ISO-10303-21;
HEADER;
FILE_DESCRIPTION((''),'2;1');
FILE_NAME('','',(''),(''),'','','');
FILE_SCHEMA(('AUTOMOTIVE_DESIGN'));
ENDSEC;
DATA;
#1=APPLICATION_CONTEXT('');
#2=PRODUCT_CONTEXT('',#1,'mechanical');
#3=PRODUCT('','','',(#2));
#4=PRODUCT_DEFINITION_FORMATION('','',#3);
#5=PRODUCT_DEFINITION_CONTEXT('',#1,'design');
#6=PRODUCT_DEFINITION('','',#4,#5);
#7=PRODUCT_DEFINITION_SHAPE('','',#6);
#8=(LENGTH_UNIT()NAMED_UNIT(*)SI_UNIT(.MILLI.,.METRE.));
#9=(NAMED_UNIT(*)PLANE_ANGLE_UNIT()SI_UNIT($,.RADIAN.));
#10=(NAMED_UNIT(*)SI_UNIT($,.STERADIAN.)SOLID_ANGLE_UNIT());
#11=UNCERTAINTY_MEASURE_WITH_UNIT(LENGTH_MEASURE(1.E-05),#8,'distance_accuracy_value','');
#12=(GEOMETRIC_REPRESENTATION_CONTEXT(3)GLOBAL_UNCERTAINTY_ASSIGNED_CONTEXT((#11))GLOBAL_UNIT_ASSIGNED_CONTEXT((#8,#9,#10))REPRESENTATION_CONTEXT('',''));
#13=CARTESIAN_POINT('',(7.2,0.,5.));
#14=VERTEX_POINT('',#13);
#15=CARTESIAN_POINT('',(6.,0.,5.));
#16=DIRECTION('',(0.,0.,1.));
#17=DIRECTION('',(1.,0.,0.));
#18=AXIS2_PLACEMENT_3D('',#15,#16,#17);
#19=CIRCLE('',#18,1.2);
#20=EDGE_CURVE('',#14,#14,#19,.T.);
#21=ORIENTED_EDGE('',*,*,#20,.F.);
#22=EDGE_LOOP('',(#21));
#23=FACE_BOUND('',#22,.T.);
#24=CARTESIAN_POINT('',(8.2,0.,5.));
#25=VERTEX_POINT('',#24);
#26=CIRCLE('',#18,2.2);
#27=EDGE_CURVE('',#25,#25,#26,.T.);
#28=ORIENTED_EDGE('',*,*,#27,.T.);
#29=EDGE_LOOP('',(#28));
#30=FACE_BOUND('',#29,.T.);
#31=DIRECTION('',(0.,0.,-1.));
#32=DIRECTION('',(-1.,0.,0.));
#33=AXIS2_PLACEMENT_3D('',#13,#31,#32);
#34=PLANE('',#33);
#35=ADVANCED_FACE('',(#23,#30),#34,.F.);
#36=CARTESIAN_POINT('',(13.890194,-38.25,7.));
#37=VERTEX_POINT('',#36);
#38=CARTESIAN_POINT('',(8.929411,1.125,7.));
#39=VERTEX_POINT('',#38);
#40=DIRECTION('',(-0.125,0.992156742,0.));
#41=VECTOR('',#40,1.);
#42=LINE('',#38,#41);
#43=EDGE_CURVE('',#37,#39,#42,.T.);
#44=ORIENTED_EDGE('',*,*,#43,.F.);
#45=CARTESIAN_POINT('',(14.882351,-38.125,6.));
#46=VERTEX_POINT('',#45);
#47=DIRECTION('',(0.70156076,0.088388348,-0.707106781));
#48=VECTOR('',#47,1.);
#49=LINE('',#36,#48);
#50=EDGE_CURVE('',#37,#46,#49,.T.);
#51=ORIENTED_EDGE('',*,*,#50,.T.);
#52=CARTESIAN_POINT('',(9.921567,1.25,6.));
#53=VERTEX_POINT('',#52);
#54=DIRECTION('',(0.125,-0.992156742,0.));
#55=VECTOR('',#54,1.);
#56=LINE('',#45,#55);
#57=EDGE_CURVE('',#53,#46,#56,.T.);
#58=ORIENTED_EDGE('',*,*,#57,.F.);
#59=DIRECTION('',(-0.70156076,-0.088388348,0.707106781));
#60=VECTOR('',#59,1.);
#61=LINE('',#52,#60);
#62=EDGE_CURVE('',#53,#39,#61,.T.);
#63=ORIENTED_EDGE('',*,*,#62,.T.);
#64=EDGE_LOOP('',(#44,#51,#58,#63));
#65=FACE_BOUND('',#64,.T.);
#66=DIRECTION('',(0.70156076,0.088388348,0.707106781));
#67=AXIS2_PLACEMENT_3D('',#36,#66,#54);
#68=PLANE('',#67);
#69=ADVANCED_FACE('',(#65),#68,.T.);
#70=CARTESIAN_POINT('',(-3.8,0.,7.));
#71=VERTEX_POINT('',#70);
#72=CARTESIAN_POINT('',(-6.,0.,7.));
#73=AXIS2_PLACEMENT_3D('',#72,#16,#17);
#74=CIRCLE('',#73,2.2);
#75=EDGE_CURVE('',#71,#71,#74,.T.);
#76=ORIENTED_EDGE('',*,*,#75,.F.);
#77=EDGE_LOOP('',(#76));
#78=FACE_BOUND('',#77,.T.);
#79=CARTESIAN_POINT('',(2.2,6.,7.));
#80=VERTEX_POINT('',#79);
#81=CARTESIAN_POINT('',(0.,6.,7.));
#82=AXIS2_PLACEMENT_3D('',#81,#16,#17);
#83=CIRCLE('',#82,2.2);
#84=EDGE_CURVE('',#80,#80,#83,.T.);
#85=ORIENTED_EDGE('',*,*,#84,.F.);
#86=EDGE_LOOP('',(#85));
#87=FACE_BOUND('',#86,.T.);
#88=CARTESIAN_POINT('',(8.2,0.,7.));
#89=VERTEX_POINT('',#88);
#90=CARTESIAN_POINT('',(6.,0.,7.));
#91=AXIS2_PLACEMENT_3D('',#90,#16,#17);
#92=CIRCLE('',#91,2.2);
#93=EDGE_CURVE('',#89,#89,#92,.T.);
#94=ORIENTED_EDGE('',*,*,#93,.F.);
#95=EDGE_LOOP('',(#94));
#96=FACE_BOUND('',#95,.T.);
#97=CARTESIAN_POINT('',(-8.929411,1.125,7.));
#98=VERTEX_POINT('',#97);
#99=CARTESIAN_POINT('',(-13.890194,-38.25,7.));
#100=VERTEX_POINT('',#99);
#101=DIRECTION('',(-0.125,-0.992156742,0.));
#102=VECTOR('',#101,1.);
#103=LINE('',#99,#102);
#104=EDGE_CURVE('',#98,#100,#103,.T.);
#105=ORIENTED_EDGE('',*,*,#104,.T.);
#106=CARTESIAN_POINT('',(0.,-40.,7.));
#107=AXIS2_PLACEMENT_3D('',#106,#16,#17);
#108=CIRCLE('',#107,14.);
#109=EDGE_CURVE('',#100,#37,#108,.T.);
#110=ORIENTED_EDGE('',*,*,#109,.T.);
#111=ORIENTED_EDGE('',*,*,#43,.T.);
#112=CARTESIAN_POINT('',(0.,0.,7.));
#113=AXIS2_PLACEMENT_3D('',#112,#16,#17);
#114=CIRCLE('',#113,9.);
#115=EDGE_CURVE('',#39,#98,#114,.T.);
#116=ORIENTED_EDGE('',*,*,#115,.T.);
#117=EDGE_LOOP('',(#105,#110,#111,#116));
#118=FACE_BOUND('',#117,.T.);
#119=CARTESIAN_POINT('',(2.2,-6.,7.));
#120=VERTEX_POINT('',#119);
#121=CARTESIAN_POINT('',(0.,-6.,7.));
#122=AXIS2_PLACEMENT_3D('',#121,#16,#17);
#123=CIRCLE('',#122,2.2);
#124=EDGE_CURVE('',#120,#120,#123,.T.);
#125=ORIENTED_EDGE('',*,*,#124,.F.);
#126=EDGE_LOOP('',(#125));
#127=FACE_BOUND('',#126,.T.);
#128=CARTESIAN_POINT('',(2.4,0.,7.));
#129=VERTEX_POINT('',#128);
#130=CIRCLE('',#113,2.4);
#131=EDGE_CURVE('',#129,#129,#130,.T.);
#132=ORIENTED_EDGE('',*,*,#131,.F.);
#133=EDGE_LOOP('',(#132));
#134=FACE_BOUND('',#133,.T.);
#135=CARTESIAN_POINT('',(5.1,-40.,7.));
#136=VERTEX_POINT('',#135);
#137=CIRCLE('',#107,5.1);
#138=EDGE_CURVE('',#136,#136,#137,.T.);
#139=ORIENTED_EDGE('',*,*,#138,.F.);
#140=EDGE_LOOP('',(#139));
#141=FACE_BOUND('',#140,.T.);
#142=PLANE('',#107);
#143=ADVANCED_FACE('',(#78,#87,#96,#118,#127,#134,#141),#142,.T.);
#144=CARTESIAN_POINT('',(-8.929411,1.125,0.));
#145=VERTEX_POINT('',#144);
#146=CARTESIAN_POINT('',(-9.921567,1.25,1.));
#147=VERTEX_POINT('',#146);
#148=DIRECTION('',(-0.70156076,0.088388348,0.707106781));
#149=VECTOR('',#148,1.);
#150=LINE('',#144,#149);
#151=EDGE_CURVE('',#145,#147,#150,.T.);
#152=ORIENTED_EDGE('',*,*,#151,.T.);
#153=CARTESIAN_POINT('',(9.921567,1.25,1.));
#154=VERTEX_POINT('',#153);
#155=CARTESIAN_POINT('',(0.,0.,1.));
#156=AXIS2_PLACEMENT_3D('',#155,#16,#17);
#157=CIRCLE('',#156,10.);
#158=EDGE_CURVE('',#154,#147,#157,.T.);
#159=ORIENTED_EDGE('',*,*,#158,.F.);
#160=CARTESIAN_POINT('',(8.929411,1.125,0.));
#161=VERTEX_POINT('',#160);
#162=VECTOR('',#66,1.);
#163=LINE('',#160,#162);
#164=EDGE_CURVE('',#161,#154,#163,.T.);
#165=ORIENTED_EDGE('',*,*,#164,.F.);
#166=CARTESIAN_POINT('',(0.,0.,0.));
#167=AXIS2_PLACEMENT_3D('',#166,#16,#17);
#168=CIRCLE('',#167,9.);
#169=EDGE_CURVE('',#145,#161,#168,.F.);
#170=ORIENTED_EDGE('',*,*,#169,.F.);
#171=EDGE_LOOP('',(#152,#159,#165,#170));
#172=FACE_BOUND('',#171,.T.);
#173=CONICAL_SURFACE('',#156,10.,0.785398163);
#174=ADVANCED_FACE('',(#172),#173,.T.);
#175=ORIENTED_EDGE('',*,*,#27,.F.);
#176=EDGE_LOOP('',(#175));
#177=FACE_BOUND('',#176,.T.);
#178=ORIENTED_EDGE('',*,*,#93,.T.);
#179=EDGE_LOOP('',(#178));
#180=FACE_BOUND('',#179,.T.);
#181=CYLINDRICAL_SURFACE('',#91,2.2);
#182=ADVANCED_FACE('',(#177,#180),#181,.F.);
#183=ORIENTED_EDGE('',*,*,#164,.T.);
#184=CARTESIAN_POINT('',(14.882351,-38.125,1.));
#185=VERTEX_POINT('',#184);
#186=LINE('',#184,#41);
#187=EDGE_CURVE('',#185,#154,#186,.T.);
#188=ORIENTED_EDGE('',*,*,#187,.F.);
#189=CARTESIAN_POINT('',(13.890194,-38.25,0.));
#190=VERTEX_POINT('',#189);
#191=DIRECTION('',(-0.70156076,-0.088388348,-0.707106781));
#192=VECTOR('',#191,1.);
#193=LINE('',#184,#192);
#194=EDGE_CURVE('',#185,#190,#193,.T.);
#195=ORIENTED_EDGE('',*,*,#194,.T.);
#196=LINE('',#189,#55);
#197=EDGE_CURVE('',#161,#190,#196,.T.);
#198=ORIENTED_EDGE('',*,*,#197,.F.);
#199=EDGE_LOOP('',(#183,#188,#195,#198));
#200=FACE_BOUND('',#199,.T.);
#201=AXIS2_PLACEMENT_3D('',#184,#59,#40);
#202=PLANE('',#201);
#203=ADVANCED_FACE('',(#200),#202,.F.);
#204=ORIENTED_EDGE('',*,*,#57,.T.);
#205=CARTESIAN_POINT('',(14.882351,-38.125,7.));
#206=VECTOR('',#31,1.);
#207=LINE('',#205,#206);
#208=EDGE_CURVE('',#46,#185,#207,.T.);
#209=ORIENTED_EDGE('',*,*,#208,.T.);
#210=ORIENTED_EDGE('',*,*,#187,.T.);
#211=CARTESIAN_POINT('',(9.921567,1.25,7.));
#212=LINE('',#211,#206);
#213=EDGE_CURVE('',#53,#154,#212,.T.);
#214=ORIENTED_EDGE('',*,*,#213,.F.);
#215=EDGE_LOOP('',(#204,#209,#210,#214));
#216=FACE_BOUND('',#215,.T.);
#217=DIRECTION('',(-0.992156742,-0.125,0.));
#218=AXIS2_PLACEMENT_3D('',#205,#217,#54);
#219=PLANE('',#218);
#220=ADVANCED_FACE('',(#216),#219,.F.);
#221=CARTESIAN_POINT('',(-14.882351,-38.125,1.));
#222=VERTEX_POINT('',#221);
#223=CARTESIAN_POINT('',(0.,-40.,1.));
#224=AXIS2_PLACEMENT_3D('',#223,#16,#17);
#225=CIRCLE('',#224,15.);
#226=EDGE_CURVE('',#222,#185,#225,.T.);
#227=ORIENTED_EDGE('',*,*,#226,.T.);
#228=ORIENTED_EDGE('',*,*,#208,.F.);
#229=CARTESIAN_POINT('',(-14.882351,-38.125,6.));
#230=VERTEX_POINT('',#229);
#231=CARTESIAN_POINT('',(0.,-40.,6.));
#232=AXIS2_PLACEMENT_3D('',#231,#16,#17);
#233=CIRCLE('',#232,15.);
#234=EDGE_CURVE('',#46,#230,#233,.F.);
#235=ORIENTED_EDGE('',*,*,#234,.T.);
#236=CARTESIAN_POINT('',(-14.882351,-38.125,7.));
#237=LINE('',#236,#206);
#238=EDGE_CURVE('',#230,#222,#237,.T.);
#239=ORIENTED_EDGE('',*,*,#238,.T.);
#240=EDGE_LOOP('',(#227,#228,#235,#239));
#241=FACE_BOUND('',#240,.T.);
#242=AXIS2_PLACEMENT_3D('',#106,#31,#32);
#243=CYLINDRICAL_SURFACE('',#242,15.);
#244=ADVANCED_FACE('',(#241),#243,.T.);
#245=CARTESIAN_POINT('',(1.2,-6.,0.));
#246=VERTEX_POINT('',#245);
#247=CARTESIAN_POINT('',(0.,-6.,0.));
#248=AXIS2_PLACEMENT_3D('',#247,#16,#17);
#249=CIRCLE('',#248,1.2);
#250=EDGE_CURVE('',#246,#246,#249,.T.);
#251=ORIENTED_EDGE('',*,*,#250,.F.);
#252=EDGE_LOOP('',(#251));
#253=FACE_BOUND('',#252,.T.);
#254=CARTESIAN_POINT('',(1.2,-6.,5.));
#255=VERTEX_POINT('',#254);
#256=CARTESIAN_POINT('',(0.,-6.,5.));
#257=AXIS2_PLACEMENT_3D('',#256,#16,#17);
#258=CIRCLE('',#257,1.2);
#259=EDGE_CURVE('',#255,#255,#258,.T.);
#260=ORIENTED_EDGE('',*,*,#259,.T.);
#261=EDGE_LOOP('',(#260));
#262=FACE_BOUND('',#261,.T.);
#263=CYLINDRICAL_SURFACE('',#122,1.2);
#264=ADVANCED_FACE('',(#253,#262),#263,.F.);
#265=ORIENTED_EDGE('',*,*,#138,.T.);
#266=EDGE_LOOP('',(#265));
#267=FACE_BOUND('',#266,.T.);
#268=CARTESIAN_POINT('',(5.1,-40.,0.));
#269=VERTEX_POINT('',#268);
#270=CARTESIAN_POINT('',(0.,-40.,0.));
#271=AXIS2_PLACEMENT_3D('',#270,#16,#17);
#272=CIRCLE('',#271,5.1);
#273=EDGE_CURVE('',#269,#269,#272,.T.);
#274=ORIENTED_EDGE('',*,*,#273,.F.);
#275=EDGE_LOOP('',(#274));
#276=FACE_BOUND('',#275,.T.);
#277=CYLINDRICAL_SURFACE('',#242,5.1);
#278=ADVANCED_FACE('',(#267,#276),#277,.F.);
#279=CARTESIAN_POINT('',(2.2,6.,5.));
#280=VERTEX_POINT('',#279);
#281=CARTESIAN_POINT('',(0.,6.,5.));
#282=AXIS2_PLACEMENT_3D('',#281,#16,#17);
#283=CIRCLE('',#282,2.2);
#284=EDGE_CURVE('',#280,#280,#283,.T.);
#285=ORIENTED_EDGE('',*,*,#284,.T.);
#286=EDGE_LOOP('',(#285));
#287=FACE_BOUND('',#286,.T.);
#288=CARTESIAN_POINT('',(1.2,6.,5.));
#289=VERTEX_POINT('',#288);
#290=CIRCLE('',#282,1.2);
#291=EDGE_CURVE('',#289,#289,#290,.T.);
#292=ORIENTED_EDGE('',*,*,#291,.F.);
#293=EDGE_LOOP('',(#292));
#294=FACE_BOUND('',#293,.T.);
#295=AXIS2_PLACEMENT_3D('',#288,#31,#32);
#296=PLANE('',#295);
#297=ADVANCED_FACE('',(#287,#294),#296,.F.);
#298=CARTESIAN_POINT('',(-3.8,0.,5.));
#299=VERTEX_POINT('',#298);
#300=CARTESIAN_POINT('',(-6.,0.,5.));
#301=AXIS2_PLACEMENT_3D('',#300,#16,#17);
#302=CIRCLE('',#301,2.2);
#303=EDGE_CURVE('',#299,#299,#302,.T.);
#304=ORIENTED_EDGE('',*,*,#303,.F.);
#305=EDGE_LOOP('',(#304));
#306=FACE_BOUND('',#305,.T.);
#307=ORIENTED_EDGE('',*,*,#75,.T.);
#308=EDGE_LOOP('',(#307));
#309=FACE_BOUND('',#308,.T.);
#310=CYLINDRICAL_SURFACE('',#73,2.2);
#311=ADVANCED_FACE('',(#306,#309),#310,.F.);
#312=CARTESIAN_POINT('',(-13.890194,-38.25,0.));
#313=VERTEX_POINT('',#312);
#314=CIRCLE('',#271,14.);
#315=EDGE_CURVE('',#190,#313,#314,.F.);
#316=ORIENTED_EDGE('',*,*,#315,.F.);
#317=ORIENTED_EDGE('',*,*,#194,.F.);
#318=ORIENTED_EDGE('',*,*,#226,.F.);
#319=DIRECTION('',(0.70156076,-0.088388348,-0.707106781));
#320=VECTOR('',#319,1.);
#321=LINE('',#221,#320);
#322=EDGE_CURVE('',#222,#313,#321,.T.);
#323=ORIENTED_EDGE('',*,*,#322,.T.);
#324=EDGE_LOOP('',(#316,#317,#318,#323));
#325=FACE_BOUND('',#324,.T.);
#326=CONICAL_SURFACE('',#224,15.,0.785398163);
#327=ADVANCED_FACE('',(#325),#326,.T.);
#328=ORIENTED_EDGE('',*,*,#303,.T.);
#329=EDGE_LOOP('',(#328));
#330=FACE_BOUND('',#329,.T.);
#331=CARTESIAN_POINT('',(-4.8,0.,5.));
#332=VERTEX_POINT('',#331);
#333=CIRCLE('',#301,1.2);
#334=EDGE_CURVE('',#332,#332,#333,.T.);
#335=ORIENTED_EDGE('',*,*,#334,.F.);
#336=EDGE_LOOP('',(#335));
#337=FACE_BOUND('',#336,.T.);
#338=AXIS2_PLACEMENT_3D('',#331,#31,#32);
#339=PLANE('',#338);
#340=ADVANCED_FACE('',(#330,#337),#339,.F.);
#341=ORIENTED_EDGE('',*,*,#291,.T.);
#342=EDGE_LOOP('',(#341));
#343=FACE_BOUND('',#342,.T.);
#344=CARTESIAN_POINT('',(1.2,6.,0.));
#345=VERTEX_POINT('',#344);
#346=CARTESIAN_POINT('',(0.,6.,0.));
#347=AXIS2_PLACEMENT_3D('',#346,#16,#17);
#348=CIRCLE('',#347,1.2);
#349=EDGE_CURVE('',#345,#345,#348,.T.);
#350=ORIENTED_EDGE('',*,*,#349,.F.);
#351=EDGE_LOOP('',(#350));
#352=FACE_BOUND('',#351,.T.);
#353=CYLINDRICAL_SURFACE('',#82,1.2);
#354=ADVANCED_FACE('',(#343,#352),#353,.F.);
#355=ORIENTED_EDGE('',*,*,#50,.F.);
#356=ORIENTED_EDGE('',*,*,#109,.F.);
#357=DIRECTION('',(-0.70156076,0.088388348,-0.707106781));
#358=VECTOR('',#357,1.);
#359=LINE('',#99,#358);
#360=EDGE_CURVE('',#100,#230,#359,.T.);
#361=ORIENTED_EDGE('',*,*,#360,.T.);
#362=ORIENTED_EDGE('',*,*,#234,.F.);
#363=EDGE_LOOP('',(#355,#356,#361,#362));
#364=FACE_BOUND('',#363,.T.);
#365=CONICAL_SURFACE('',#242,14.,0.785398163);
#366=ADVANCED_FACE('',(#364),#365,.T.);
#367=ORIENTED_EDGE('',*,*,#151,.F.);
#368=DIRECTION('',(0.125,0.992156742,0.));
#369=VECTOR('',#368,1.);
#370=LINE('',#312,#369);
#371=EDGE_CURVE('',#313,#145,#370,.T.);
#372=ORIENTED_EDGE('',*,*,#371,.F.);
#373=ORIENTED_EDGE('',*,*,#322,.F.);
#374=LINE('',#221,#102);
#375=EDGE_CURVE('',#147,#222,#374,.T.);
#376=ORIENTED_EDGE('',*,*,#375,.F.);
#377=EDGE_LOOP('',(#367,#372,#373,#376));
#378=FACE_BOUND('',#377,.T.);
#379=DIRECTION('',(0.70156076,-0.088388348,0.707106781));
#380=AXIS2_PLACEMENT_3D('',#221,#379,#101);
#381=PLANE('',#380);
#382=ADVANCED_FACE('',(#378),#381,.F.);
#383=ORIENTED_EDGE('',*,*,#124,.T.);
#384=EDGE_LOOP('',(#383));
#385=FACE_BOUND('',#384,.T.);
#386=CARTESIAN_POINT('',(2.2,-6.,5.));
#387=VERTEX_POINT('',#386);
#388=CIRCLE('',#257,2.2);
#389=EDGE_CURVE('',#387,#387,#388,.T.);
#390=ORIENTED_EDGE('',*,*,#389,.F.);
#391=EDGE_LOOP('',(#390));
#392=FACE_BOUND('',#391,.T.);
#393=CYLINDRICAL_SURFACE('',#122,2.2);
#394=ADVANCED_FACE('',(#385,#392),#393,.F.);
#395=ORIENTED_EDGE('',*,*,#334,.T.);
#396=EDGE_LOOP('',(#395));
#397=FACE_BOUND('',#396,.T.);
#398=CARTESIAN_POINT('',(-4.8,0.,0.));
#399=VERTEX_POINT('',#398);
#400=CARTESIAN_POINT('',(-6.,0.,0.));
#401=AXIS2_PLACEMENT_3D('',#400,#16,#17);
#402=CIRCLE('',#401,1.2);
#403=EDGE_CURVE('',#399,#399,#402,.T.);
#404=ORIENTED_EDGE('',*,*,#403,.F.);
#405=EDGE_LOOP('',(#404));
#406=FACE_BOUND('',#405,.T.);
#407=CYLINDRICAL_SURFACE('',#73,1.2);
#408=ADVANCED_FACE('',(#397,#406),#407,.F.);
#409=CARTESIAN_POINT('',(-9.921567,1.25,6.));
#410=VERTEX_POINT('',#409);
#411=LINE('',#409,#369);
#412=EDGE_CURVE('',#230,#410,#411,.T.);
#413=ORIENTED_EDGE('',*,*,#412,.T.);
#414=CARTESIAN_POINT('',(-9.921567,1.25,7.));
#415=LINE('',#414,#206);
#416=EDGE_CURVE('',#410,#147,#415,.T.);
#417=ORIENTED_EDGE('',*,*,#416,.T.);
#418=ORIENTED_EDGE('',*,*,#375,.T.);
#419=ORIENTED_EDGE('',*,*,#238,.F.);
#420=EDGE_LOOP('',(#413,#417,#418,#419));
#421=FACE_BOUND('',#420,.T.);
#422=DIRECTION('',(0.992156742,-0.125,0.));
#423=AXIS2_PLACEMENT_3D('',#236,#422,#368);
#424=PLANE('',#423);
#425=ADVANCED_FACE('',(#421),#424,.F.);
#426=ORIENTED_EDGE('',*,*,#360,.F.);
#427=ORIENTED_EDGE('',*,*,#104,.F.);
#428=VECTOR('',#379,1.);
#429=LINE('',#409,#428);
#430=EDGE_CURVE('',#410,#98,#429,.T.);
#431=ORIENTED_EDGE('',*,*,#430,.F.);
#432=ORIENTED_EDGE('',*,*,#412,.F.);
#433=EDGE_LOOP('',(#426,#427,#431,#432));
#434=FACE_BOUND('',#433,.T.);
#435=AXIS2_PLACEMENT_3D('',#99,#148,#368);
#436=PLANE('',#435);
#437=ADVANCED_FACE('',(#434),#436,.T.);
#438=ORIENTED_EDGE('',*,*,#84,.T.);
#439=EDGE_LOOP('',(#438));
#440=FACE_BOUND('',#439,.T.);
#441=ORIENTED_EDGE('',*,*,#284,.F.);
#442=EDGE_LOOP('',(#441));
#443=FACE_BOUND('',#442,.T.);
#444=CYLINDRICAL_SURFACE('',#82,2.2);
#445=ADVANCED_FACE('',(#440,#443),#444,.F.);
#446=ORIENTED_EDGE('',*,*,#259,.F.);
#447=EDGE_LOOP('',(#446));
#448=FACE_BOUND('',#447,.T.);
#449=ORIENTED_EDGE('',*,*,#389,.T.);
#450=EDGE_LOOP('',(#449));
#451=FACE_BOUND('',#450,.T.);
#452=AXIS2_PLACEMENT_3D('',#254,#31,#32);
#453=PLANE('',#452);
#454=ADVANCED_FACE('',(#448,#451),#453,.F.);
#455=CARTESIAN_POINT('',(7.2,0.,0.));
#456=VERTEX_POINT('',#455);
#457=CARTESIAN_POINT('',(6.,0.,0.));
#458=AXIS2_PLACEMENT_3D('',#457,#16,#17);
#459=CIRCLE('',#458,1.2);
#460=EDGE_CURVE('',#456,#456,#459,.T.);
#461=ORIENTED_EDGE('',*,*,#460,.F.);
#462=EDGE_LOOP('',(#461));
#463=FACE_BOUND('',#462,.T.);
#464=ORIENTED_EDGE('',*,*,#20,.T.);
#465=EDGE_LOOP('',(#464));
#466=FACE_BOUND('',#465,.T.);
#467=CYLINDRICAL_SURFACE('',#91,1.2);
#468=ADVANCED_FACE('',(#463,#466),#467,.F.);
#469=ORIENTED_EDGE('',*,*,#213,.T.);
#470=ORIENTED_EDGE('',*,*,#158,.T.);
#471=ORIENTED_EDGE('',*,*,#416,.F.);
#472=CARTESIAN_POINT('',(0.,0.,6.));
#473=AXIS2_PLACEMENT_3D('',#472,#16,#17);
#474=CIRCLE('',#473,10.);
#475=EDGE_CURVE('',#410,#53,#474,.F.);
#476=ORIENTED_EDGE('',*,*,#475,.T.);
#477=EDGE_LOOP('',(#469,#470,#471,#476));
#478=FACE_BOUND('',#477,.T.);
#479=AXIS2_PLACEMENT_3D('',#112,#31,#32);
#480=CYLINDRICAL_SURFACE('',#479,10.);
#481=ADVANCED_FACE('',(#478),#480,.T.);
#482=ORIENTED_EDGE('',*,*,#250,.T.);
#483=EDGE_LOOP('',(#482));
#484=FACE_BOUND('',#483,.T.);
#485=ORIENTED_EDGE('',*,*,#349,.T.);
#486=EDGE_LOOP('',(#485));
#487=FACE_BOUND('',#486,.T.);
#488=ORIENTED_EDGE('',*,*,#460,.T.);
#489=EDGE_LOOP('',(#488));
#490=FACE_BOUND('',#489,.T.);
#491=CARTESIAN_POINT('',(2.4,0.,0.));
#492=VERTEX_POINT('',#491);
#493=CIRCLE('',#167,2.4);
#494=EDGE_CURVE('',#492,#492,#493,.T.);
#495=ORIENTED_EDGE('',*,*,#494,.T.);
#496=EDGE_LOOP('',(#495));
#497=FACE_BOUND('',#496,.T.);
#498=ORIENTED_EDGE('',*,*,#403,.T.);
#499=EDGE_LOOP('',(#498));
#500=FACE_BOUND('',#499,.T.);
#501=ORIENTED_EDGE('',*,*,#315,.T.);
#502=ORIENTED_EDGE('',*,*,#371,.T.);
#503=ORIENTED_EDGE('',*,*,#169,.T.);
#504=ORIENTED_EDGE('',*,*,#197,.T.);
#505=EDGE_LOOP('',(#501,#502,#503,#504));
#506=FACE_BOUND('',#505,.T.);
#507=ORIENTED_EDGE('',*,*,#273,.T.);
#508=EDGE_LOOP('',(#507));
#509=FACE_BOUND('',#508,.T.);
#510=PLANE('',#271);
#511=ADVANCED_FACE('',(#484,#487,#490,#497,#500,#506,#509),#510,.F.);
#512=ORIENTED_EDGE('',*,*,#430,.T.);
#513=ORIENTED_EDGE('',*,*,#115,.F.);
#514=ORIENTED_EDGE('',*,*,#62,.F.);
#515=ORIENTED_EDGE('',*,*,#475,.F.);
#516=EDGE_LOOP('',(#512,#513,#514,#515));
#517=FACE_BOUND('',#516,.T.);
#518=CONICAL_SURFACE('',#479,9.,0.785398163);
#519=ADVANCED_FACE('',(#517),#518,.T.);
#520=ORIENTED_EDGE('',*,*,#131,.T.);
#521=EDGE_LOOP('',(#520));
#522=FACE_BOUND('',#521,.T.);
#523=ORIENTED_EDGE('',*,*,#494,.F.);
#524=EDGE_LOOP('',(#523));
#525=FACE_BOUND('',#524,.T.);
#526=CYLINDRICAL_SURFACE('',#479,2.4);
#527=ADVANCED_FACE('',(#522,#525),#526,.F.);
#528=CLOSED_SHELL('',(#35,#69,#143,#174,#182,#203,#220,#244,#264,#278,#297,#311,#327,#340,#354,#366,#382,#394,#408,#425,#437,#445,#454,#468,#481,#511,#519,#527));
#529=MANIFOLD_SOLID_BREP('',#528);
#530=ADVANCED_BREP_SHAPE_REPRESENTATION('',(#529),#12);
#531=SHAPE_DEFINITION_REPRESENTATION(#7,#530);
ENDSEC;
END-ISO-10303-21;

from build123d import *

# Parameters (mm, degrees)
SKETCH1_R                      = 2.4
SKETCH1_R_2                    = 5.1
BOSS_EXTRUDE1_DEPTH            = 7
CBORE_FOR_M2_SHCS1_D           = 2.4
CBORE_FOR_M2_SHCS1_CBORE_D     = 4.4
CBORE_FOR_M2_SHCS1_CBORE_DEPTH = 2
CHAMFER1_SIZE                  = 1


with BuildPart() as part:
    # Sketch1 → Boss-Extrude1 (new body)
    with BuildSketch(Plane.XY):
        with BuildLine():
            Line((-14.882351125, -38.125), (-9.921567416, 1.25))
            ThreePointArc((-9.921567416, 1.25), (0, 10), (9.921567416, 1.25))
            Line((9.921567416, 1.25), (14.882351125, -38.125))
            ThreePointArc((14.882351125, -38.125), (0, -55), (-14.882351125, -38.125))
        make_face()
        Circle(SKETCH1_R, mode=Mode.SUBTRACT)
        with Locations((0, -40)):
            Circle(SKETCH1_R_2, mode=Mode.SUBTRACT)
    extrude(amount=BOSS_EXTRUDE1_DEPTH)

    # CBORE for M2 SHCS1 (through all)
    with Locations(Plane.XY.offset(7)):
        with Locations((0, 6), (6, 0), (0, -6), (-6, 0)):
            CounterBoreHole(CBORE_FOR_M2_SHCS1_D / 2, CBORE_FOR_M2_SHCS1_CBORE_D / 2, CBORE_FOR_M2_SHCS1_CBORE_DEPTH)

    # Chamfer1
    chamfer1_edges = [part.edges().sort_by_distance(p)[0] for p in [
        (0, 10, 7),
        (-12.401959271, -18.4375, 7),
        (0, -55, 7),
        (-12.401959271, -18.4375, 0),
        (0, 10, 0),
        (12.401959271, -18.4375, 0),
        (0, -55, 0),
        (12.401959271, -18.4375, 7),
    ]]
    chamfer(chamfer1_edges, length=CHAMFER1_SIZE)


solid = part.part
